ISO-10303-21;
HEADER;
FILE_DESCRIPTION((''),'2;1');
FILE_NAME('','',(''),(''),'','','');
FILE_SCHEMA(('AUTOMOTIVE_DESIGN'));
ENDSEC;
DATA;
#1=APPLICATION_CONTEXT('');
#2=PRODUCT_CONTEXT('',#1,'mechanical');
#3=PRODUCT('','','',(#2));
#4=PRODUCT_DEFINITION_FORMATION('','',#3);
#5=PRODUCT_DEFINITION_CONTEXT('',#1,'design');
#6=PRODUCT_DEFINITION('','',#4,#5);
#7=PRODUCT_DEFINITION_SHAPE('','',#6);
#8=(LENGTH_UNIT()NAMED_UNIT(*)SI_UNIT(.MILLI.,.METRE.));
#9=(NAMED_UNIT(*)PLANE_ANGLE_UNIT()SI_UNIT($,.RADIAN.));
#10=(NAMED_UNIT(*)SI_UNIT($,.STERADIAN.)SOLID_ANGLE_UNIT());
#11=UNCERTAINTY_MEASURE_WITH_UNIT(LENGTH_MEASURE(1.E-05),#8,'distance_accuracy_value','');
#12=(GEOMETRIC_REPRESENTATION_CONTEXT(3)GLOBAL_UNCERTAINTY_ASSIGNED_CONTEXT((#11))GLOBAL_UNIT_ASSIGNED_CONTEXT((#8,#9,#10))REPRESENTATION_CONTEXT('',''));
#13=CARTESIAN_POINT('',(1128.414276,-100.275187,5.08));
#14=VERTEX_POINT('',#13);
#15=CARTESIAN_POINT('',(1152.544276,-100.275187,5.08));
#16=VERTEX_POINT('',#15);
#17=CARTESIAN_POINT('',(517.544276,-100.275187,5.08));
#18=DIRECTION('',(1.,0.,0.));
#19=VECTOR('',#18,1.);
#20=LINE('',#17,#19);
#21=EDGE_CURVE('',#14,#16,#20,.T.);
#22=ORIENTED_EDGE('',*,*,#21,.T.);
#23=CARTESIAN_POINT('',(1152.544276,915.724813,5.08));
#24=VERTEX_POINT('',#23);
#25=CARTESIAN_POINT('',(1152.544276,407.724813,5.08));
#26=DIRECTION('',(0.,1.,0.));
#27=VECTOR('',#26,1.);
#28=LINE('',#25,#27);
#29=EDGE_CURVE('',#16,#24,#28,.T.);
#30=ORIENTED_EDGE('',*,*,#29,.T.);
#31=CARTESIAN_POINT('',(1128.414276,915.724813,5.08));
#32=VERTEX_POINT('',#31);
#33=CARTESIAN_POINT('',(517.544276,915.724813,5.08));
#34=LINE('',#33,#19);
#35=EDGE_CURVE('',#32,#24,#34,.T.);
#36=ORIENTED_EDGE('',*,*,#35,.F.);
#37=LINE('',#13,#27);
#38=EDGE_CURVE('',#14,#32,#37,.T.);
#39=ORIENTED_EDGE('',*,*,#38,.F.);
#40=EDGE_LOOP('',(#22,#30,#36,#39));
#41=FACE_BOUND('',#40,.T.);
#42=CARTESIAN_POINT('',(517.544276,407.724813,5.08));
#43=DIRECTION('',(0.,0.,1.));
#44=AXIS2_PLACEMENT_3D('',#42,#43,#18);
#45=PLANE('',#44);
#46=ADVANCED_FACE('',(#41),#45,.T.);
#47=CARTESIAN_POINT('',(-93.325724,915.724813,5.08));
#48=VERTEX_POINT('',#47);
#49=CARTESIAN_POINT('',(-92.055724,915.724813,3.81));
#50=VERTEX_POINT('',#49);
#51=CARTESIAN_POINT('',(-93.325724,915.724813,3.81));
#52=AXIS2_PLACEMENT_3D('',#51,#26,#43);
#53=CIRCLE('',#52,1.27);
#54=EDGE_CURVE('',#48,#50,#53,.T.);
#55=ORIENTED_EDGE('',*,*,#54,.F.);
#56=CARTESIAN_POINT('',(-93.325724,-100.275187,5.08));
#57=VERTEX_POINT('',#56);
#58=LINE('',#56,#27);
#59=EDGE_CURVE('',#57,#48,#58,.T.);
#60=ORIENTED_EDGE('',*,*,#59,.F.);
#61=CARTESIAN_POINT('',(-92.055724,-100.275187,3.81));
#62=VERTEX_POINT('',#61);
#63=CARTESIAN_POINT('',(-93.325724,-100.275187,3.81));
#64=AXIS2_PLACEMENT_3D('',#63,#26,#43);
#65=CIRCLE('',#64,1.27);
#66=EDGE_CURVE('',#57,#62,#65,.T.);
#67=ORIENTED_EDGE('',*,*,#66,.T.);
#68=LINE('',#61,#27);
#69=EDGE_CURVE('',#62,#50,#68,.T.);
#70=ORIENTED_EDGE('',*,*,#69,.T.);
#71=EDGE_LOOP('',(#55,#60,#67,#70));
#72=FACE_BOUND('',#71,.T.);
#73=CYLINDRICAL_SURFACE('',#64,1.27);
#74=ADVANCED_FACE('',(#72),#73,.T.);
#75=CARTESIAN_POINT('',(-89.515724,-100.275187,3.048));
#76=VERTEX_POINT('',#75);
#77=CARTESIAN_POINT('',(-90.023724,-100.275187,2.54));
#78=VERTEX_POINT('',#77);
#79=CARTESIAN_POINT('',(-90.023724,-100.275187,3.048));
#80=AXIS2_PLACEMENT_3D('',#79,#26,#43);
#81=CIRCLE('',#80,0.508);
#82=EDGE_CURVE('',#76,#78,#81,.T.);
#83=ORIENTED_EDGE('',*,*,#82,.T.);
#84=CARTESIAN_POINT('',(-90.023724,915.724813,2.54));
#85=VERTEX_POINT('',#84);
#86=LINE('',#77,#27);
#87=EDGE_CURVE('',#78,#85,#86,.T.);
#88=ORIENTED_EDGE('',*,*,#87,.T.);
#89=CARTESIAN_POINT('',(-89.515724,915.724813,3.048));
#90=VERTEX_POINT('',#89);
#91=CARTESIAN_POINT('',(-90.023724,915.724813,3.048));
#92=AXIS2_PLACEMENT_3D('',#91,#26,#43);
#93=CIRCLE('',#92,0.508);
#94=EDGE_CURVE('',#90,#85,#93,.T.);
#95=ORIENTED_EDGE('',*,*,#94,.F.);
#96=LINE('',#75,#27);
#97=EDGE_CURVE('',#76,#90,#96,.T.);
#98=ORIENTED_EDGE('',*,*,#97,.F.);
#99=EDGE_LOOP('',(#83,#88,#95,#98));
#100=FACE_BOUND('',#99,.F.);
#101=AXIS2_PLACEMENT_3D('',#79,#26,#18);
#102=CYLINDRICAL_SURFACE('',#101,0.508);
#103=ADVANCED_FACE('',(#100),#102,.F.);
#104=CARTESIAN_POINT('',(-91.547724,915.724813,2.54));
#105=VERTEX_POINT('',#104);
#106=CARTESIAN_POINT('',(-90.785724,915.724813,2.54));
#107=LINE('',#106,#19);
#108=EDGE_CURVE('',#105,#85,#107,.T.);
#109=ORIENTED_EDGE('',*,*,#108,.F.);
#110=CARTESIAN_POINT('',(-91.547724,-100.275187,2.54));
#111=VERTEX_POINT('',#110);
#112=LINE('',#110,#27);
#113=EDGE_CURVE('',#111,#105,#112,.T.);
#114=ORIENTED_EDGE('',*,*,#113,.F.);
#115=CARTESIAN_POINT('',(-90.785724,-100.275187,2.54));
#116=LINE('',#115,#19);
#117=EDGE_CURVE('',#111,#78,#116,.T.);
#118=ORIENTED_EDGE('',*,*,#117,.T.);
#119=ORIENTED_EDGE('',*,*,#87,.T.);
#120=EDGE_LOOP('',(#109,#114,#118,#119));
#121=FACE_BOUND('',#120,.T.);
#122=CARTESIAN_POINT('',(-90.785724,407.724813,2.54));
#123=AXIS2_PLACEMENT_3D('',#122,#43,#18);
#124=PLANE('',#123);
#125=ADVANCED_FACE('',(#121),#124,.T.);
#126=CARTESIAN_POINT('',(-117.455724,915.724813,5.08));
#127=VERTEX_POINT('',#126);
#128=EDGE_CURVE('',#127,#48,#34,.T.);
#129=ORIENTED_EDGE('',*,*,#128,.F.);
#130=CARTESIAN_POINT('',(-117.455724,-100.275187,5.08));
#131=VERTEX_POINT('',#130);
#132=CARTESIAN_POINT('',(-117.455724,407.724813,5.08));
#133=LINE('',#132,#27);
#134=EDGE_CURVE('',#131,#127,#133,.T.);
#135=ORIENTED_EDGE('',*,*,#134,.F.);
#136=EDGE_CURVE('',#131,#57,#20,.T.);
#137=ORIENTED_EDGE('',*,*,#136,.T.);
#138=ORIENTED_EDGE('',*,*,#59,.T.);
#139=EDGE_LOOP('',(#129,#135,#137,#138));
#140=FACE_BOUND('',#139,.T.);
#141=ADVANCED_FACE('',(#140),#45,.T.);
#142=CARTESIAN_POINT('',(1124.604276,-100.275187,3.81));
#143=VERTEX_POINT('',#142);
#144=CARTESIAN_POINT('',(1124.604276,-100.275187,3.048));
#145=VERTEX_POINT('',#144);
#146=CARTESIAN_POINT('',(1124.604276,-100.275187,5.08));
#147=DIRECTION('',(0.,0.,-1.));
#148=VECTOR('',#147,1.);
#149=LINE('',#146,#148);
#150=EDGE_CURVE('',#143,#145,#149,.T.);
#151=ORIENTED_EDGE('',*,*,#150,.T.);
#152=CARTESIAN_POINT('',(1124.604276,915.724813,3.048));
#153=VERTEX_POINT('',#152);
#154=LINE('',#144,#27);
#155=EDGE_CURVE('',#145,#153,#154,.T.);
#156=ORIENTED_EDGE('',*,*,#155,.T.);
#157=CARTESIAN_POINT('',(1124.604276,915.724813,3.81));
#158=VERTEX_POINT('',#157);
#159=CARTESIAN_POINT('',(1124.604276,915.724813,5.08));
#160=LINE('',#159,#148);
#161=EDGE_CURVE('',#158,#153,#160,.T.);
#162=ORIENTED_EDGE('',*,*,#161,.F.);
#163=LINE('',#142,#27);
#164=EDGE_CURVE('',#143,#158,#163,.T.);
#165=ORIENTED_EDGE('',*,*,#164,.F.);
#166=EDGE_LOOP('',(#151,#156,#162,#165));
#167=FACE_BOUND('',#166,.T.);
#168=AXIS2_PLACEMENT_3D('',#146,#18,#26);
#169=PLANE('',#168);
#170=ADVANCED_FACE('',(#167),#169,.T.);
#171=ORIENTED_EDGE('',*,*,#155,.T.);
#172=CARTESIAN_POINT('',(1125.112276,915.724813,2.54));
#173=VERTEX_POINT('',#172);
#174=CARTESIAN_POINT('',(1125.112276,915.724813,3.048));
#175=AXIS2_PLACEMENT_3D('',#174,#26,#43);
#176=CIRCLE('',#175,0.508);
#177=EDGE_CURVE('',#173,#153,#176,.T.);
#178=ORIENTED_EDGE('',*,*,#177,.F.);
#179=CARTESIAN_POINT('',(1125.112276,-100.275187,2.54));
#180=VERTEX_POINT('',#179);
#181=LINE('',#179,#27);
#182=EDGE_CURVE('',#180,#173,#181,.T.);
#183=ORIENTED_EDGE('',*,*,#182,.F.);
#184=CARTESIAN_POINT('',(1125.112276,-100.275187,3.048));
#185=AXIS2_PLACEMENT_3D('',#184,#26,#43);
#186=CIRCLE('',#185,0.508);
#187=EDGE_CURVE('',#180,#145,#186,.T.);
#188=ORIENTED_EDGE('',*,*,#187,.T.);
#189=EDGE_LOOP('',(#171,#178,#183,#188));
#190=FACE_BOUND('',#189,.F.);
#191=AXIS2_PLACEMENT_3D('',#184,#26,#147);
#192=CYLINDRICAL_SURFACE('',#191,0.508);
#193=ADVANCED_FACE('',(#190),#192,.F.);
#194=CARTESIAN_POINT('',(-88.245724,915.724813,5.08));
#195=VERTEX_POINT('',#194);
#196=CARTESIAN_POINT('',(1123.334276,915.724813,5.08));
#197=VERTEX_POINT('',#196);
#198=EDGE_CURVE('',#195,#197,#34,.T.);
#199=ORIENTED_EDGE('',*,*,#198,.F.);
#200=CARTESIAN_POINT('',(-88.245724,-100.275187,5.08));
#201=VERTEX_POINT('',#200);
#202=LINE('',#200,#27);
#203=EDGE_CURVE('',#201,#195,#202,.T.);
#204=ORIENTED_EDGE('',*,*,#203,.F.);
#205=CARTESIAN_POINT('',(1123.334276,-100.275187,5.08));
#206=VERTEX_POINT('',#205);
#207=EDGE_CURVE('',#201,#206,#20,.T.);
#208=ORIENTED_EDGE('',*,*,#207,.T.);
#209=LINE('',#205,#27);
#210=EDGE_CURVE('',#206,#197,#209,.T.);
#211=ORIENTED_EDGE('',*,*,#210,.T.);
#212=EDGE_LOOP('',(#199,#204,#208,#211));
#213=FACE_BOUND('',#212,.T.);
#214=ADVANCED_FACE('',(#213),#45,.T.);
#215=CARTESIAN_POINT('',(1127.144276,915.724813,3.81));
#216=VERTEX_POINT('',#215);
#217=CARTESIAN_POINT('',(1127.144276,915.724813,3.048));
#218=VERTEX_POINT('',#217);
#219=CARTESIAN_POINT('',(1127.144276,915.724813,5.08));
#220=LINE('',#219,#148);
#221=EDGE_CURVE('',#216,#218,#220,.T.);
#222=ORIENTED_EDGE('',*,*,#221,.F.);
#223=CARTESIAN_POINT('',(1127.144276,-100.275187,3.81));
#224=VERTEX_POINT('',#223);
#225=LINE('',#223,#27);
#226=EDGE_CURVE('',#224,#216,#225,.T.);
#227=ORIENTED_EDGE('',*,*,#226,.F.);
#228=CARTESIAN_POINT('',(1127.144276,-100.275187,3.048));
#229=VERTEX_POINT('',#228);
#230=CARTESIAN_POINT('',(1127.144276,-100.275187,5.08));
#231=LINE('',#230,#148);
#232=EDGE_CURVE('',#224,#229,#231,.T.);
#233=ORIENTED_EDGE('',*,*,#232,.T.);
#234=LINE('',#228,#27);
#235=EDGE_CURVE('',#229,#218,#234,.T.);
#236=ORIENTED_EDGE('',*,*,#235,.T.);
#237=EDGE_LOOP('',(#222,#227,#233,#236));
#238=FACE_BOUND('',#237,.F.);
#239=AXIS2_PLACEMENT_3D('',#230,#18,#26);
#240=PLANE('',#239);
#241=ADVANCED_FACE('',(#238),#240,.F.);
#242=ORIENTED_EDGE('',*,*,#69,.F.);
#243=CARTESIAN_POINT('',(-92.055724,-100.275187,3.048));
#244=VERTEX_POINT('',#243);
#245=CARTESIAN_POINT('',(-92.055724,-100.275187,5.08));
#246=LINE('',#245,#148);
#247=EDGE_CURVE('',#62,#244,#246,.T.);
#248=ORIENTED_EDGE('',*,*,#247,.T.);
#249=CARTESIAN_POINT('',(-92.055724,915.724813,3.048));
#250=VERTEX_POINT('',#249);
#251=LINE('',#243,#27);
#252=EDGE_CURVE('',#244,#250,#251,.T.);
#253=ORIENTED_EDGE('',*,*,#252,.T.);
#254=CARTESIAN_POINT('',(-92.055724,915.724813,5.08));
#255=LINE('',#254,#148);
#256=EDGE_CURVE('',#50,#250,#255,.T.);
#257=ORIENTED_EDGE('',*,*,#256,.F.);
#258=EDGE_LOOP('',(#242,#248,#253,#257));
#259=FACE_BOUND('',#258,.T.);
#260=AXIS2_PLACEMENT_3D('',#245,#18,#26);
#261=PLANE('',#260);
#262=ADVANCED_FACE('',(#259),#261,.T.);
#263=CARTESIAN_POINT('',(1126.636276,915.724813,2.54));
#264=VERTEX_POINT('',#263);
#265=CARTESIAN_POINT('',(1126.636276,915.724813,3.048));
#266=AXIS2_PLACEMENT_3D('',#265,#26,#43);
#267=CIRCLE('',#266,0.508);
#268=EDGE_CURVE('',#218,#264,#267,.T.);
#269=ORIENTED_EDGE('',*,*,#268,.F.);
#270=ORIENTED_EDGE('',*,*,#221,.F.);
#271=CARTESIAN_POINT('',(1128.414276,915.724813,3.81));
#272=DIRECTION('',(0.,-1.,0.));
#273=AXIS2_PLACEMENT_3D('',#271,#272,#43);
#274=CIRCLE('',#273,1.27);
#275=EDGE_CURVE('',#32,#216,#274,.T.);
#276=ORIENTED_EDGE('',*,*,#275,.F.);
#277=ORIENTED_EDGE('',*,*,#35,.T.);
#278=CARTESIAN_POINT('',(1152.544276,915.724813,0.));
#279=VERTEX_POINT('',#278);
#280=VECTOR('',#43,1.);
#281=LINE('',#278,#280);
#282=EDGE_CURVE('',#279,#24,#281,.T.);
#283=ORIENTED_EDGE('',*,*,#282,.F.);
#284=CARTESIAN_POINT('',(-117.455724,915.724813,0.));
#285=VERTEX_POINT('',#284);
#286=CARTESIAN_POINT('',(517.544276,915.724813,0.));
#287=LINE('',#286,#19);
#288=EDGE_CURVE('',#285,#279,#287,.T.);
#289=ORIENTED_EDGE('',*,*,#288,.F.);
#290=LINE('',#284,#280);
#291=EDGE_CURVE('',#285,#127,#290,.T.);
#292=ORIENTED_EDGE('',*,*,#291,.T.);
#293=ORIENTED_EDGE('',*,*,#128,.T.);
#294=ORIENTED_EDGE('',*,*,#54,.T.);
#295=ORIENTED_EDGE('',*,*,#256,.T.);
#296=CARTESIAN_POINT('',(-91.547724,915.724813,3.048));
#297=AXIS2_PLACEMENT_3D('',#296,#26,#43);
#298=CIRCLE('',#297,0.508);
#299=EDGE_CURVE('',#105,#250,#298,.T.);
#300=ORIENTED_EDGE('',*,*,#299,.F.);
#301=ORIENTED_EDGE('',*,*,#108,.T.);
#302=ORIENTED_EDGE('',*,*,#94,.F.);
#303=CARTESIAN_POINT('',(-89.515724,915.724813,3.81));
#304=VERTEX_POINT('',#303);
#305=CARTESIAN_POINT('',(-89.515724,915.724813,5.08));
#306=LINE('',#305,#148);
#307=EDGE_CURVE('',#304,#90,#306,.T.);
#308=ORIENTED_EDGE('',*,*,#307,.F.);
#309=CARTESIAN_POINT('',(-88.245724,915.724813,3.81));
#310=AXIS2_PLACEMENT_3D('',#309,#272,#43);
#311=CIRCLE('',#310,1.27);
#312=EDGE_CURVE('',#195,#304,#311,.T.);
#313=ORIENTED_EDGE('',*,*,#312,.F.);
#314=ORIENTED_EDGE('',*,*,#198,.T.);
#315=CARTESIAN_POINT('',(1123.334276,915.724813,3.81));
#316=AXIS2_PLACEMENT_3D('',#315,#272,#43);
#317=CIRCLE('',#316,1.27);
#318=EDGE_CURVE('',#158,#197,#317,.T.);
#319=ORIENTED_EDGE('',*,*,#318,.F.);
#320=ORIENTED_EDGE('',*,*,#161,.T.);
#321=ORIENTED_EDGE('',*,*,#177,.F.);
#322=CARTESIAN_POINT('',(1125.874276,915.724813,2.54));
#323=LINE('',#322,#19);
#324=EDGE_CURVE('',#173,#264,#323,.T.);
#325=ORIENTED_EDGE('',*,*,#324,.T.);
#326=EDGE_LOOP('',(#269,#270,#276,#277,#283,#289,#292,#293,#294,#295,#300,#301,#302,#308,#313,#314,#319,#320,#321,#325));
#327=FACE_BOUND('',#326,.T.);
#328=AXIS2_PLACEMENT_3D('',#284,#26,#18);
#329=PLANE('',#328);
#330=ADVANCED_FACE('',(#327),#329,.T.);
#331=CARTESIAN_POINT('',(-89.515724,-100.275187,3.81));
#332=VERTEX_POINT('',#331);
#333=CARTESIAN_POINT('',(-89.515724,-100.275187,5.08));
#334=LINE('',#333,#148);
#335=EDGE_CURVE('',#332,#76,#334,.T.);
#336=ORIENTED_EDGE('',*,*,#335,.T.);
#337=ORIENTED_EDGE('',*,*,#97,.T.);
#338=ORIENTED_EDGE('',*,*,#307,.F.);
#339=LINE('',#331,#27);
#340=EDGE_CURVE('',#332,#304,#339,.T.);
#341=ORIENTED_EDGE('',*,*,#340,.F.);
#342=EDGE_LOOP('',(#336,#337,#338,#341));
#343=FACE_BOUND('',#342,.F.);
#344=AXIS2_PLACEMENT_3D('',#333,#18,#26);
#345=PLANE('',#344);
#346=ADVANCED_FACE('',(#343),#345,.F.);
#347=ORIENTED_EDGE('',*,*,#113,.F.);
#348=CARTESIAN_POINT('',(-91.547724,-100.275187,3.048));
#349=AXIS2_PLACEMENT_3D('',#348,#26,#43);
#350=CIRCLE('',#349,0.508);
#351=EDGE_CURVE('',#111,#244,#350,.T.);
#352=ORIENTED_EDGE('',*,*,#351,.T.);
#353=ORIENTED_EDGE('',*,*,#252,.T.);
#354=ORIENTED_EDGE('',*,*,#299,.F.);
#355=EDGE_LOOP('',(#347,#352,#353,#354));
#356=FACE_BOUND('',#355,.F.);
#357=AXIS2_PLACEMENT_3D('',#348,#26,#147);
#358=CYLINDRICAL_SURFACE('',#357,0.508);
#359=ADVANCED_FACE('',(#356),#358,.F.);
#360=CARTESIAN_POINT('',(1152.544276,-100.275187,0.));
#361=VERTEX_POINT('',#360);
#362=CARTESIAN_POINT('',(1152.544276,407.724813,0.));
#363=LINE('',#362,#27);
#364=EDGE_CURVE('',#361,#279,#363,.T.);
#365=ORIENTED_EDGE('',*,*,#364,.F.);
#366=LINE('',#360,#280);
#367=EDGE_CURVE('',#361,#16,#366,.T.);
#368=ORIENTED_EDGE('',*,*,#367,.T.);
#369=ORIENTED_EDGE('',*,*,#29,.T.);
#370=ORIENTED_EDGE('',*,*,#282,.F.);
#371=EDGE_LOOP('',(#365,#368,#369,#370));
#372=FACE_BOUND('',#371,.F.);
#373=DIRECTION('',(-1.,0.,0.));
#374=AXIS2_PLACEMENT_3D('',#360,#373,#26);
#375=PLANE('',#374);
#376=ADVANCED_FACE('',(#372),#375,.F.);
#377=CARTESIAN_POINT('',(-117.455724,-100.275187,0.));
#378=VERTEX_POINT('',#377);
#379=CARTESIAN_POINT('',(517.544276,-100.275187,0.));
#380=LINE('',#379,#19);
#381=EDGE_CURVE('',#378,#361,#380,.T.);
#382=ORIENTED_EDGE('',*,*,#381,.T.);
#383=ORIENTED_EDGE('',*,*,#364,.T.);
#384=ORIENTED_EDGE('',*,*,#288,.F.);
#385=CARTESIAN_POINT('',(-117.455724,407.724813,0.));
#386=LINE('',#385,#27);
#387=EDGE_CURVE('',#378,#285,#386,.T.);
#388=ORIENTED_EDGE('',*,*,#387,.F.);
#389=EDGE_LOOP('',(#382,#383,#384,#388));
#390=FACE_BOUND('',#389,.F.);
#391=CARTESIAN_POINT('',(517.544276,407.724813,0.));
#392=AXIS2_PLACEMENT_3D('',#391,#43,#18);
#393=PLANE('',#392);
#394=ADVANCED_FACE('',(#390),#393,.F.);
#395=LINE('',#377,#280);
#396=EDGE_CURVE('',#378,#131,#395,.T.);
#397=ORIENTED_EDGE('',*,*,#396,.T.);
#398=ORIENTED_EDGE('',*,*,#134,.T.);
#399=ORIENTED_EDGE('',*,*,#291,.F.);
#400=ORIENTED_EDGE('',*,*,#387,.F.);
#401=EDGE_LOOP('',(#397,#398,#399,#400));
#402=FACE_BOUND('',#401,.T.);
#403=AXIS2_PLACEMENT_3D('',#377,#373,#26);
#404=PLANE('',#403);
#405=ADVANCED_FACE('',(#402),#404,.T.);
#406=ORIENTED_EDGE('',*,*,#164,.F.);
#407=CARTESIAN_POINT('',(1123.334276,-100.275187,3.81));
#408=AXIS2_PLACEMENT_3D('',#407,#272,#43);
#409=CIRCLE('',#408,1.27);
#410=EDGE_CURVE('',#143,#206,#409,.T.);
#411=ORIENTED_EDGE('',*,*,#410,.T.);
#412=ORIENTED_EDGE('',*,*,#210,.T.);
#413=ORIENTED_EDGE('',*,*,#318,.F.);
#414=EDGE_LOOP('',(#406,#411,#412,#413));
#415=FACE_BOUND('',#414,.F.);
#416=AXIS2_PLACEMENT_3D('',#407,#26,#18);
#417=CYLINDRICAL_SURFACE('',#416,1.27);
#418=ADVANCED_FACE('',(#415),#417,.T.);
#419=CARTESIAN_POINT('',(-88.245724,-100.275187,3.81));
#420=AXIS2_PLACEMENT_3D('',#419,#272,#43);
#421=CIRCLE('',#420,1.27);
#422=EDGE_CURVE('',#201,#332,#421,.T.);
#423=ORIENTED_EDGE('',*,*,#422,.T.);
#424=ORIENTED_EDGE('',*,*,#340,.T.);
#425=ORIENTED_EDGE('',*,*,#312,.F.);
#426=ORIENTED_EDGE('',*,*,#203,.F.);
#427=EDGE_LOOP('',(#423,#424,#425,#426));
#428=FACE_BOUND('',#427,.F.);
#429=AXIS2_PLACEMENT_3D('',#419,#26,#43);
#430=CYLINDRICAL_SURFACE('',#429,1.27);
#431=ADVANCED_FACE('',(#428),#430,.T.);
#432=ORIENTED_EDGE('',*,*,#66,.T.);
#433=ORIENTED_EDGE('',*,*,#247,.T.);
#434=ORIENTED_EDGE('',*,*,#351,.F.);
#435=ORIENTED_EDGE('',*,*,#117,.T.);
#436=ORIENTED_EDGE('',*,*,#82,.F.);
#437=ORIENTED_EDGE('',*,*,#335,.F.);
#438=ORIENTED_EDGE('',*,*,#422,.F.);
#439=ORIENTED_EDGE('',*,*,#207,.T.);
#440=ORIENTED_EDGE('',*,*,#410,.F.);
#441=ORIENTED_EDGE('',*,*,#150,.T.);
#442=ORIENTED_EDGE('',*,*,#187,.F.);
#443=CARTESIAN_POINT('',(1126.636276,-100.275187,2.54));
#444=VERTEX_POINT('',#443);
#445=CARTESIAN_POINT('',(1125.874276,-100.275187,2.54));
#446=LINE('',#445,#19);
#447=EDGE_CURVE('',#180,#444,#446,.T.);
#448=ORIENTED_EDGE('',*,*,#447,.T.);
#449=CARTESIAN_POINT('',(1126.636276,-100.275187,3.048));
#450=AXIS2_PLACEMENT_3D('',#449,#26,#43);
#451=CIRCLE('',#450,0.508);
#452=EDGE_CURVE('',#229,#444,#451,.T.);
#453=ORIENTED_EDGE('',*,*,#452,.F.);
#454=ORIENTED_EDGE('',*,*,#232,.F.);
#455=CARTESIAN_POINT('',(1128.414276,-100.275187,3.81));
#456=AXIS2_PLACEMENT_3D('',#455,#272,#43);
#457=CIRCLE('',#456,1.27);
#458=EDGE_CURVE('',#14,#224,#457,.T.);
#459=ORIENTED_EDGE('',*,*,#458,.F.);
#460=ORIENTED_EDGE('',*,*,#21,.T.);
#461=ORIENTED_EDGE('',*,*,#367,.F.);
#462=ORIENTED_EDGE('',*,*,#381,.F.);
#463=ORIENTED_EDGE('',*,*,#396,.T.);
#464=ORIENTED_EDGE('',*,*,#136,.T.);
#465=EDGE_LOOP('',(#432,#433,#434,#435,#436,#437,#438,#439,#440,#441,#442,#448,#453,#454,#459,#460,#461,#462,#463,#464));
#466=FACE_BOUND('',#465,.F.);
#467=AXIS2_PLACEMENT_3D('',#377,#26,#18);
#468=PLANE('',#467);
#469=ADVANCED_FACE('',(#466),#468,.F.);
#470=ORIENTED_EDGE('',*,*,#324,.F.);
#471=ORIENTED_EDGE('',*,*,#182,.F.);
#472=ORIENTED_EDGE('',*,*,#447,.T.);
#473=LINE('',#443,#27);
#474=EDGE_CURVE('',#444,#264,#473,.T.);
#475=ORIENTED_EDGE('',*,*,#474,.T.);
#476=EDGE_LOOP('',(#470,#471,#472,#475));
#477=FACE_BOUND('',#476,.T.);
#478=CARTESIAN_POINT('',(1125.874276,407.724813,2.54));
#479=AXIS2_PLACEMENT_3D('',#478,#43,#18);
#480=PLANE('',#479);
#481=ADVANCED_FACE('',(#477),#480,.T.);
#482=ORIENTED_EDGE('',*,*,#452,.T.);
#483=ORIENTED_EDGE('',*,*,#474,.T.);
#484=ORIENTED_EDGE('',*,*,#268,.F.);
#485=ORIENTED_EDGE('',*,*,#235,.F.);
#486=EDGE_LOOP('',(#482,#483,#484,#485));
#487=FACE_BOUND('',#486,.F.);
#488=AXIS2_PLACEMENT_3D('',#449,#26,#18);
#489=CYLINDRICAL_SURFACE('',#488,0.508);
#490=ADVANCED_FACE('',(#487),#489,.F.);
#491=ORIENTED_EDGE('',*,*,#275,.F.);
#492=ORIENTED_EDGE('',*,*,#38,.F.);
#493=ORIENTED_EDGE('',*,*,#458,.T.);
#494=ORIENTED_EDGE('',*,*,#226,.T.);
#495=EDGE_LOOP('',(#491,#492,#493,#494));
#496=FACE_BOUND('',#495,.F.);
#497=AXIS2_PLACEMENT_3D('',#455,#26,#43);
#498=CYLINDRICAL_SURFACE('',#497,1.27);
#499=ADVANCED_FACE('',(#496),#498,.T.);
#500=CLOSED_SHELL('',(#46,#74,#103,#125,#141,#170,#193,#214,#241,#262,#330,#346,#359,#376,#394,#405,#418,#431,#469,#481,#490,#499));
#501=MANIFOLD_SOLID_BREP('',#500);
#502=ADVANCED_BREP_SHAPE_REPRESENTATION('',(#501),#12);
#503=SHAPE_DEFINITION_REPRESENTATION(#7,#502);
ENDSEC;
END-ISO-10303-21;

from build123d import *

# Parameters (mm, degrees)
F0_W     = 1270
F0_H     = 1016
F1_DEPTH = 5.08
F2_W     = 2.54
F2_H     = 1016
F3_DEPTH = 2.54
F4_R     = 1.27
F5_R     = 0.508
F6_R     = 1.27
F7_R     = 0.508


with BuildPart() as f1:
    # F0 (on Top) → F1 (new body)
    with BuildSketch(Plane.XY):
        with Locations((517.544276, 407.724813)):
            Rectangle(F0_W, F0_H)
    extrude(amount=F1_DEPTH)

    # F2 (on face) → F3 (cut)
    with BuildSketch(Plane.XY.offset(5.08)):
        with Locations((1125.874276, 407.724813)):
            Rectangle(F2_W, F2_H)
        with Locations((-90.785724, 407.724813)):
            Rectangle(F2_W, F2_H)
    extrude(amount=-F3_DEPTH, mode=Mode.SUBTRACT)

    # F4
    f4_edges = [f1.edges().sort_by_distance(p)[0] for p in [
        (1127.144276, 407.724813, 5.08),
        (1124.604276, 407.724813, 5.08),
    ]]
    fillet(f4_edges, radius=F4_R)

    # F5
    f5_edges = [f1.edges().sort_by_distance(p)[0] for p in [
        (1127.144276, 407.724813, 2.54),
        (1124.604276, 407.724813, 2.54),
    ]]
    fillet(f5_edges, radius=F5_R)

    # F6
    f6_edges = [f1.edges().sort_by_distance(p)[0] for p in [
        (-89.515724, 407.724813, 5.08),
        (-92.055724, 407.724813, 5.08),
    ]]
    fillet(f6_edges, radius=F6_R)

    # F7
    f7_edges = [f1.edges().sort_by_distance(p)[0] for p in [
        (-92.055724, 407.724813, 2.54),
        (-89.515724, 407.724813, 2.54),
    ]]
    fillet(f7_edges, radius=F7_R)


solid = f1.part
